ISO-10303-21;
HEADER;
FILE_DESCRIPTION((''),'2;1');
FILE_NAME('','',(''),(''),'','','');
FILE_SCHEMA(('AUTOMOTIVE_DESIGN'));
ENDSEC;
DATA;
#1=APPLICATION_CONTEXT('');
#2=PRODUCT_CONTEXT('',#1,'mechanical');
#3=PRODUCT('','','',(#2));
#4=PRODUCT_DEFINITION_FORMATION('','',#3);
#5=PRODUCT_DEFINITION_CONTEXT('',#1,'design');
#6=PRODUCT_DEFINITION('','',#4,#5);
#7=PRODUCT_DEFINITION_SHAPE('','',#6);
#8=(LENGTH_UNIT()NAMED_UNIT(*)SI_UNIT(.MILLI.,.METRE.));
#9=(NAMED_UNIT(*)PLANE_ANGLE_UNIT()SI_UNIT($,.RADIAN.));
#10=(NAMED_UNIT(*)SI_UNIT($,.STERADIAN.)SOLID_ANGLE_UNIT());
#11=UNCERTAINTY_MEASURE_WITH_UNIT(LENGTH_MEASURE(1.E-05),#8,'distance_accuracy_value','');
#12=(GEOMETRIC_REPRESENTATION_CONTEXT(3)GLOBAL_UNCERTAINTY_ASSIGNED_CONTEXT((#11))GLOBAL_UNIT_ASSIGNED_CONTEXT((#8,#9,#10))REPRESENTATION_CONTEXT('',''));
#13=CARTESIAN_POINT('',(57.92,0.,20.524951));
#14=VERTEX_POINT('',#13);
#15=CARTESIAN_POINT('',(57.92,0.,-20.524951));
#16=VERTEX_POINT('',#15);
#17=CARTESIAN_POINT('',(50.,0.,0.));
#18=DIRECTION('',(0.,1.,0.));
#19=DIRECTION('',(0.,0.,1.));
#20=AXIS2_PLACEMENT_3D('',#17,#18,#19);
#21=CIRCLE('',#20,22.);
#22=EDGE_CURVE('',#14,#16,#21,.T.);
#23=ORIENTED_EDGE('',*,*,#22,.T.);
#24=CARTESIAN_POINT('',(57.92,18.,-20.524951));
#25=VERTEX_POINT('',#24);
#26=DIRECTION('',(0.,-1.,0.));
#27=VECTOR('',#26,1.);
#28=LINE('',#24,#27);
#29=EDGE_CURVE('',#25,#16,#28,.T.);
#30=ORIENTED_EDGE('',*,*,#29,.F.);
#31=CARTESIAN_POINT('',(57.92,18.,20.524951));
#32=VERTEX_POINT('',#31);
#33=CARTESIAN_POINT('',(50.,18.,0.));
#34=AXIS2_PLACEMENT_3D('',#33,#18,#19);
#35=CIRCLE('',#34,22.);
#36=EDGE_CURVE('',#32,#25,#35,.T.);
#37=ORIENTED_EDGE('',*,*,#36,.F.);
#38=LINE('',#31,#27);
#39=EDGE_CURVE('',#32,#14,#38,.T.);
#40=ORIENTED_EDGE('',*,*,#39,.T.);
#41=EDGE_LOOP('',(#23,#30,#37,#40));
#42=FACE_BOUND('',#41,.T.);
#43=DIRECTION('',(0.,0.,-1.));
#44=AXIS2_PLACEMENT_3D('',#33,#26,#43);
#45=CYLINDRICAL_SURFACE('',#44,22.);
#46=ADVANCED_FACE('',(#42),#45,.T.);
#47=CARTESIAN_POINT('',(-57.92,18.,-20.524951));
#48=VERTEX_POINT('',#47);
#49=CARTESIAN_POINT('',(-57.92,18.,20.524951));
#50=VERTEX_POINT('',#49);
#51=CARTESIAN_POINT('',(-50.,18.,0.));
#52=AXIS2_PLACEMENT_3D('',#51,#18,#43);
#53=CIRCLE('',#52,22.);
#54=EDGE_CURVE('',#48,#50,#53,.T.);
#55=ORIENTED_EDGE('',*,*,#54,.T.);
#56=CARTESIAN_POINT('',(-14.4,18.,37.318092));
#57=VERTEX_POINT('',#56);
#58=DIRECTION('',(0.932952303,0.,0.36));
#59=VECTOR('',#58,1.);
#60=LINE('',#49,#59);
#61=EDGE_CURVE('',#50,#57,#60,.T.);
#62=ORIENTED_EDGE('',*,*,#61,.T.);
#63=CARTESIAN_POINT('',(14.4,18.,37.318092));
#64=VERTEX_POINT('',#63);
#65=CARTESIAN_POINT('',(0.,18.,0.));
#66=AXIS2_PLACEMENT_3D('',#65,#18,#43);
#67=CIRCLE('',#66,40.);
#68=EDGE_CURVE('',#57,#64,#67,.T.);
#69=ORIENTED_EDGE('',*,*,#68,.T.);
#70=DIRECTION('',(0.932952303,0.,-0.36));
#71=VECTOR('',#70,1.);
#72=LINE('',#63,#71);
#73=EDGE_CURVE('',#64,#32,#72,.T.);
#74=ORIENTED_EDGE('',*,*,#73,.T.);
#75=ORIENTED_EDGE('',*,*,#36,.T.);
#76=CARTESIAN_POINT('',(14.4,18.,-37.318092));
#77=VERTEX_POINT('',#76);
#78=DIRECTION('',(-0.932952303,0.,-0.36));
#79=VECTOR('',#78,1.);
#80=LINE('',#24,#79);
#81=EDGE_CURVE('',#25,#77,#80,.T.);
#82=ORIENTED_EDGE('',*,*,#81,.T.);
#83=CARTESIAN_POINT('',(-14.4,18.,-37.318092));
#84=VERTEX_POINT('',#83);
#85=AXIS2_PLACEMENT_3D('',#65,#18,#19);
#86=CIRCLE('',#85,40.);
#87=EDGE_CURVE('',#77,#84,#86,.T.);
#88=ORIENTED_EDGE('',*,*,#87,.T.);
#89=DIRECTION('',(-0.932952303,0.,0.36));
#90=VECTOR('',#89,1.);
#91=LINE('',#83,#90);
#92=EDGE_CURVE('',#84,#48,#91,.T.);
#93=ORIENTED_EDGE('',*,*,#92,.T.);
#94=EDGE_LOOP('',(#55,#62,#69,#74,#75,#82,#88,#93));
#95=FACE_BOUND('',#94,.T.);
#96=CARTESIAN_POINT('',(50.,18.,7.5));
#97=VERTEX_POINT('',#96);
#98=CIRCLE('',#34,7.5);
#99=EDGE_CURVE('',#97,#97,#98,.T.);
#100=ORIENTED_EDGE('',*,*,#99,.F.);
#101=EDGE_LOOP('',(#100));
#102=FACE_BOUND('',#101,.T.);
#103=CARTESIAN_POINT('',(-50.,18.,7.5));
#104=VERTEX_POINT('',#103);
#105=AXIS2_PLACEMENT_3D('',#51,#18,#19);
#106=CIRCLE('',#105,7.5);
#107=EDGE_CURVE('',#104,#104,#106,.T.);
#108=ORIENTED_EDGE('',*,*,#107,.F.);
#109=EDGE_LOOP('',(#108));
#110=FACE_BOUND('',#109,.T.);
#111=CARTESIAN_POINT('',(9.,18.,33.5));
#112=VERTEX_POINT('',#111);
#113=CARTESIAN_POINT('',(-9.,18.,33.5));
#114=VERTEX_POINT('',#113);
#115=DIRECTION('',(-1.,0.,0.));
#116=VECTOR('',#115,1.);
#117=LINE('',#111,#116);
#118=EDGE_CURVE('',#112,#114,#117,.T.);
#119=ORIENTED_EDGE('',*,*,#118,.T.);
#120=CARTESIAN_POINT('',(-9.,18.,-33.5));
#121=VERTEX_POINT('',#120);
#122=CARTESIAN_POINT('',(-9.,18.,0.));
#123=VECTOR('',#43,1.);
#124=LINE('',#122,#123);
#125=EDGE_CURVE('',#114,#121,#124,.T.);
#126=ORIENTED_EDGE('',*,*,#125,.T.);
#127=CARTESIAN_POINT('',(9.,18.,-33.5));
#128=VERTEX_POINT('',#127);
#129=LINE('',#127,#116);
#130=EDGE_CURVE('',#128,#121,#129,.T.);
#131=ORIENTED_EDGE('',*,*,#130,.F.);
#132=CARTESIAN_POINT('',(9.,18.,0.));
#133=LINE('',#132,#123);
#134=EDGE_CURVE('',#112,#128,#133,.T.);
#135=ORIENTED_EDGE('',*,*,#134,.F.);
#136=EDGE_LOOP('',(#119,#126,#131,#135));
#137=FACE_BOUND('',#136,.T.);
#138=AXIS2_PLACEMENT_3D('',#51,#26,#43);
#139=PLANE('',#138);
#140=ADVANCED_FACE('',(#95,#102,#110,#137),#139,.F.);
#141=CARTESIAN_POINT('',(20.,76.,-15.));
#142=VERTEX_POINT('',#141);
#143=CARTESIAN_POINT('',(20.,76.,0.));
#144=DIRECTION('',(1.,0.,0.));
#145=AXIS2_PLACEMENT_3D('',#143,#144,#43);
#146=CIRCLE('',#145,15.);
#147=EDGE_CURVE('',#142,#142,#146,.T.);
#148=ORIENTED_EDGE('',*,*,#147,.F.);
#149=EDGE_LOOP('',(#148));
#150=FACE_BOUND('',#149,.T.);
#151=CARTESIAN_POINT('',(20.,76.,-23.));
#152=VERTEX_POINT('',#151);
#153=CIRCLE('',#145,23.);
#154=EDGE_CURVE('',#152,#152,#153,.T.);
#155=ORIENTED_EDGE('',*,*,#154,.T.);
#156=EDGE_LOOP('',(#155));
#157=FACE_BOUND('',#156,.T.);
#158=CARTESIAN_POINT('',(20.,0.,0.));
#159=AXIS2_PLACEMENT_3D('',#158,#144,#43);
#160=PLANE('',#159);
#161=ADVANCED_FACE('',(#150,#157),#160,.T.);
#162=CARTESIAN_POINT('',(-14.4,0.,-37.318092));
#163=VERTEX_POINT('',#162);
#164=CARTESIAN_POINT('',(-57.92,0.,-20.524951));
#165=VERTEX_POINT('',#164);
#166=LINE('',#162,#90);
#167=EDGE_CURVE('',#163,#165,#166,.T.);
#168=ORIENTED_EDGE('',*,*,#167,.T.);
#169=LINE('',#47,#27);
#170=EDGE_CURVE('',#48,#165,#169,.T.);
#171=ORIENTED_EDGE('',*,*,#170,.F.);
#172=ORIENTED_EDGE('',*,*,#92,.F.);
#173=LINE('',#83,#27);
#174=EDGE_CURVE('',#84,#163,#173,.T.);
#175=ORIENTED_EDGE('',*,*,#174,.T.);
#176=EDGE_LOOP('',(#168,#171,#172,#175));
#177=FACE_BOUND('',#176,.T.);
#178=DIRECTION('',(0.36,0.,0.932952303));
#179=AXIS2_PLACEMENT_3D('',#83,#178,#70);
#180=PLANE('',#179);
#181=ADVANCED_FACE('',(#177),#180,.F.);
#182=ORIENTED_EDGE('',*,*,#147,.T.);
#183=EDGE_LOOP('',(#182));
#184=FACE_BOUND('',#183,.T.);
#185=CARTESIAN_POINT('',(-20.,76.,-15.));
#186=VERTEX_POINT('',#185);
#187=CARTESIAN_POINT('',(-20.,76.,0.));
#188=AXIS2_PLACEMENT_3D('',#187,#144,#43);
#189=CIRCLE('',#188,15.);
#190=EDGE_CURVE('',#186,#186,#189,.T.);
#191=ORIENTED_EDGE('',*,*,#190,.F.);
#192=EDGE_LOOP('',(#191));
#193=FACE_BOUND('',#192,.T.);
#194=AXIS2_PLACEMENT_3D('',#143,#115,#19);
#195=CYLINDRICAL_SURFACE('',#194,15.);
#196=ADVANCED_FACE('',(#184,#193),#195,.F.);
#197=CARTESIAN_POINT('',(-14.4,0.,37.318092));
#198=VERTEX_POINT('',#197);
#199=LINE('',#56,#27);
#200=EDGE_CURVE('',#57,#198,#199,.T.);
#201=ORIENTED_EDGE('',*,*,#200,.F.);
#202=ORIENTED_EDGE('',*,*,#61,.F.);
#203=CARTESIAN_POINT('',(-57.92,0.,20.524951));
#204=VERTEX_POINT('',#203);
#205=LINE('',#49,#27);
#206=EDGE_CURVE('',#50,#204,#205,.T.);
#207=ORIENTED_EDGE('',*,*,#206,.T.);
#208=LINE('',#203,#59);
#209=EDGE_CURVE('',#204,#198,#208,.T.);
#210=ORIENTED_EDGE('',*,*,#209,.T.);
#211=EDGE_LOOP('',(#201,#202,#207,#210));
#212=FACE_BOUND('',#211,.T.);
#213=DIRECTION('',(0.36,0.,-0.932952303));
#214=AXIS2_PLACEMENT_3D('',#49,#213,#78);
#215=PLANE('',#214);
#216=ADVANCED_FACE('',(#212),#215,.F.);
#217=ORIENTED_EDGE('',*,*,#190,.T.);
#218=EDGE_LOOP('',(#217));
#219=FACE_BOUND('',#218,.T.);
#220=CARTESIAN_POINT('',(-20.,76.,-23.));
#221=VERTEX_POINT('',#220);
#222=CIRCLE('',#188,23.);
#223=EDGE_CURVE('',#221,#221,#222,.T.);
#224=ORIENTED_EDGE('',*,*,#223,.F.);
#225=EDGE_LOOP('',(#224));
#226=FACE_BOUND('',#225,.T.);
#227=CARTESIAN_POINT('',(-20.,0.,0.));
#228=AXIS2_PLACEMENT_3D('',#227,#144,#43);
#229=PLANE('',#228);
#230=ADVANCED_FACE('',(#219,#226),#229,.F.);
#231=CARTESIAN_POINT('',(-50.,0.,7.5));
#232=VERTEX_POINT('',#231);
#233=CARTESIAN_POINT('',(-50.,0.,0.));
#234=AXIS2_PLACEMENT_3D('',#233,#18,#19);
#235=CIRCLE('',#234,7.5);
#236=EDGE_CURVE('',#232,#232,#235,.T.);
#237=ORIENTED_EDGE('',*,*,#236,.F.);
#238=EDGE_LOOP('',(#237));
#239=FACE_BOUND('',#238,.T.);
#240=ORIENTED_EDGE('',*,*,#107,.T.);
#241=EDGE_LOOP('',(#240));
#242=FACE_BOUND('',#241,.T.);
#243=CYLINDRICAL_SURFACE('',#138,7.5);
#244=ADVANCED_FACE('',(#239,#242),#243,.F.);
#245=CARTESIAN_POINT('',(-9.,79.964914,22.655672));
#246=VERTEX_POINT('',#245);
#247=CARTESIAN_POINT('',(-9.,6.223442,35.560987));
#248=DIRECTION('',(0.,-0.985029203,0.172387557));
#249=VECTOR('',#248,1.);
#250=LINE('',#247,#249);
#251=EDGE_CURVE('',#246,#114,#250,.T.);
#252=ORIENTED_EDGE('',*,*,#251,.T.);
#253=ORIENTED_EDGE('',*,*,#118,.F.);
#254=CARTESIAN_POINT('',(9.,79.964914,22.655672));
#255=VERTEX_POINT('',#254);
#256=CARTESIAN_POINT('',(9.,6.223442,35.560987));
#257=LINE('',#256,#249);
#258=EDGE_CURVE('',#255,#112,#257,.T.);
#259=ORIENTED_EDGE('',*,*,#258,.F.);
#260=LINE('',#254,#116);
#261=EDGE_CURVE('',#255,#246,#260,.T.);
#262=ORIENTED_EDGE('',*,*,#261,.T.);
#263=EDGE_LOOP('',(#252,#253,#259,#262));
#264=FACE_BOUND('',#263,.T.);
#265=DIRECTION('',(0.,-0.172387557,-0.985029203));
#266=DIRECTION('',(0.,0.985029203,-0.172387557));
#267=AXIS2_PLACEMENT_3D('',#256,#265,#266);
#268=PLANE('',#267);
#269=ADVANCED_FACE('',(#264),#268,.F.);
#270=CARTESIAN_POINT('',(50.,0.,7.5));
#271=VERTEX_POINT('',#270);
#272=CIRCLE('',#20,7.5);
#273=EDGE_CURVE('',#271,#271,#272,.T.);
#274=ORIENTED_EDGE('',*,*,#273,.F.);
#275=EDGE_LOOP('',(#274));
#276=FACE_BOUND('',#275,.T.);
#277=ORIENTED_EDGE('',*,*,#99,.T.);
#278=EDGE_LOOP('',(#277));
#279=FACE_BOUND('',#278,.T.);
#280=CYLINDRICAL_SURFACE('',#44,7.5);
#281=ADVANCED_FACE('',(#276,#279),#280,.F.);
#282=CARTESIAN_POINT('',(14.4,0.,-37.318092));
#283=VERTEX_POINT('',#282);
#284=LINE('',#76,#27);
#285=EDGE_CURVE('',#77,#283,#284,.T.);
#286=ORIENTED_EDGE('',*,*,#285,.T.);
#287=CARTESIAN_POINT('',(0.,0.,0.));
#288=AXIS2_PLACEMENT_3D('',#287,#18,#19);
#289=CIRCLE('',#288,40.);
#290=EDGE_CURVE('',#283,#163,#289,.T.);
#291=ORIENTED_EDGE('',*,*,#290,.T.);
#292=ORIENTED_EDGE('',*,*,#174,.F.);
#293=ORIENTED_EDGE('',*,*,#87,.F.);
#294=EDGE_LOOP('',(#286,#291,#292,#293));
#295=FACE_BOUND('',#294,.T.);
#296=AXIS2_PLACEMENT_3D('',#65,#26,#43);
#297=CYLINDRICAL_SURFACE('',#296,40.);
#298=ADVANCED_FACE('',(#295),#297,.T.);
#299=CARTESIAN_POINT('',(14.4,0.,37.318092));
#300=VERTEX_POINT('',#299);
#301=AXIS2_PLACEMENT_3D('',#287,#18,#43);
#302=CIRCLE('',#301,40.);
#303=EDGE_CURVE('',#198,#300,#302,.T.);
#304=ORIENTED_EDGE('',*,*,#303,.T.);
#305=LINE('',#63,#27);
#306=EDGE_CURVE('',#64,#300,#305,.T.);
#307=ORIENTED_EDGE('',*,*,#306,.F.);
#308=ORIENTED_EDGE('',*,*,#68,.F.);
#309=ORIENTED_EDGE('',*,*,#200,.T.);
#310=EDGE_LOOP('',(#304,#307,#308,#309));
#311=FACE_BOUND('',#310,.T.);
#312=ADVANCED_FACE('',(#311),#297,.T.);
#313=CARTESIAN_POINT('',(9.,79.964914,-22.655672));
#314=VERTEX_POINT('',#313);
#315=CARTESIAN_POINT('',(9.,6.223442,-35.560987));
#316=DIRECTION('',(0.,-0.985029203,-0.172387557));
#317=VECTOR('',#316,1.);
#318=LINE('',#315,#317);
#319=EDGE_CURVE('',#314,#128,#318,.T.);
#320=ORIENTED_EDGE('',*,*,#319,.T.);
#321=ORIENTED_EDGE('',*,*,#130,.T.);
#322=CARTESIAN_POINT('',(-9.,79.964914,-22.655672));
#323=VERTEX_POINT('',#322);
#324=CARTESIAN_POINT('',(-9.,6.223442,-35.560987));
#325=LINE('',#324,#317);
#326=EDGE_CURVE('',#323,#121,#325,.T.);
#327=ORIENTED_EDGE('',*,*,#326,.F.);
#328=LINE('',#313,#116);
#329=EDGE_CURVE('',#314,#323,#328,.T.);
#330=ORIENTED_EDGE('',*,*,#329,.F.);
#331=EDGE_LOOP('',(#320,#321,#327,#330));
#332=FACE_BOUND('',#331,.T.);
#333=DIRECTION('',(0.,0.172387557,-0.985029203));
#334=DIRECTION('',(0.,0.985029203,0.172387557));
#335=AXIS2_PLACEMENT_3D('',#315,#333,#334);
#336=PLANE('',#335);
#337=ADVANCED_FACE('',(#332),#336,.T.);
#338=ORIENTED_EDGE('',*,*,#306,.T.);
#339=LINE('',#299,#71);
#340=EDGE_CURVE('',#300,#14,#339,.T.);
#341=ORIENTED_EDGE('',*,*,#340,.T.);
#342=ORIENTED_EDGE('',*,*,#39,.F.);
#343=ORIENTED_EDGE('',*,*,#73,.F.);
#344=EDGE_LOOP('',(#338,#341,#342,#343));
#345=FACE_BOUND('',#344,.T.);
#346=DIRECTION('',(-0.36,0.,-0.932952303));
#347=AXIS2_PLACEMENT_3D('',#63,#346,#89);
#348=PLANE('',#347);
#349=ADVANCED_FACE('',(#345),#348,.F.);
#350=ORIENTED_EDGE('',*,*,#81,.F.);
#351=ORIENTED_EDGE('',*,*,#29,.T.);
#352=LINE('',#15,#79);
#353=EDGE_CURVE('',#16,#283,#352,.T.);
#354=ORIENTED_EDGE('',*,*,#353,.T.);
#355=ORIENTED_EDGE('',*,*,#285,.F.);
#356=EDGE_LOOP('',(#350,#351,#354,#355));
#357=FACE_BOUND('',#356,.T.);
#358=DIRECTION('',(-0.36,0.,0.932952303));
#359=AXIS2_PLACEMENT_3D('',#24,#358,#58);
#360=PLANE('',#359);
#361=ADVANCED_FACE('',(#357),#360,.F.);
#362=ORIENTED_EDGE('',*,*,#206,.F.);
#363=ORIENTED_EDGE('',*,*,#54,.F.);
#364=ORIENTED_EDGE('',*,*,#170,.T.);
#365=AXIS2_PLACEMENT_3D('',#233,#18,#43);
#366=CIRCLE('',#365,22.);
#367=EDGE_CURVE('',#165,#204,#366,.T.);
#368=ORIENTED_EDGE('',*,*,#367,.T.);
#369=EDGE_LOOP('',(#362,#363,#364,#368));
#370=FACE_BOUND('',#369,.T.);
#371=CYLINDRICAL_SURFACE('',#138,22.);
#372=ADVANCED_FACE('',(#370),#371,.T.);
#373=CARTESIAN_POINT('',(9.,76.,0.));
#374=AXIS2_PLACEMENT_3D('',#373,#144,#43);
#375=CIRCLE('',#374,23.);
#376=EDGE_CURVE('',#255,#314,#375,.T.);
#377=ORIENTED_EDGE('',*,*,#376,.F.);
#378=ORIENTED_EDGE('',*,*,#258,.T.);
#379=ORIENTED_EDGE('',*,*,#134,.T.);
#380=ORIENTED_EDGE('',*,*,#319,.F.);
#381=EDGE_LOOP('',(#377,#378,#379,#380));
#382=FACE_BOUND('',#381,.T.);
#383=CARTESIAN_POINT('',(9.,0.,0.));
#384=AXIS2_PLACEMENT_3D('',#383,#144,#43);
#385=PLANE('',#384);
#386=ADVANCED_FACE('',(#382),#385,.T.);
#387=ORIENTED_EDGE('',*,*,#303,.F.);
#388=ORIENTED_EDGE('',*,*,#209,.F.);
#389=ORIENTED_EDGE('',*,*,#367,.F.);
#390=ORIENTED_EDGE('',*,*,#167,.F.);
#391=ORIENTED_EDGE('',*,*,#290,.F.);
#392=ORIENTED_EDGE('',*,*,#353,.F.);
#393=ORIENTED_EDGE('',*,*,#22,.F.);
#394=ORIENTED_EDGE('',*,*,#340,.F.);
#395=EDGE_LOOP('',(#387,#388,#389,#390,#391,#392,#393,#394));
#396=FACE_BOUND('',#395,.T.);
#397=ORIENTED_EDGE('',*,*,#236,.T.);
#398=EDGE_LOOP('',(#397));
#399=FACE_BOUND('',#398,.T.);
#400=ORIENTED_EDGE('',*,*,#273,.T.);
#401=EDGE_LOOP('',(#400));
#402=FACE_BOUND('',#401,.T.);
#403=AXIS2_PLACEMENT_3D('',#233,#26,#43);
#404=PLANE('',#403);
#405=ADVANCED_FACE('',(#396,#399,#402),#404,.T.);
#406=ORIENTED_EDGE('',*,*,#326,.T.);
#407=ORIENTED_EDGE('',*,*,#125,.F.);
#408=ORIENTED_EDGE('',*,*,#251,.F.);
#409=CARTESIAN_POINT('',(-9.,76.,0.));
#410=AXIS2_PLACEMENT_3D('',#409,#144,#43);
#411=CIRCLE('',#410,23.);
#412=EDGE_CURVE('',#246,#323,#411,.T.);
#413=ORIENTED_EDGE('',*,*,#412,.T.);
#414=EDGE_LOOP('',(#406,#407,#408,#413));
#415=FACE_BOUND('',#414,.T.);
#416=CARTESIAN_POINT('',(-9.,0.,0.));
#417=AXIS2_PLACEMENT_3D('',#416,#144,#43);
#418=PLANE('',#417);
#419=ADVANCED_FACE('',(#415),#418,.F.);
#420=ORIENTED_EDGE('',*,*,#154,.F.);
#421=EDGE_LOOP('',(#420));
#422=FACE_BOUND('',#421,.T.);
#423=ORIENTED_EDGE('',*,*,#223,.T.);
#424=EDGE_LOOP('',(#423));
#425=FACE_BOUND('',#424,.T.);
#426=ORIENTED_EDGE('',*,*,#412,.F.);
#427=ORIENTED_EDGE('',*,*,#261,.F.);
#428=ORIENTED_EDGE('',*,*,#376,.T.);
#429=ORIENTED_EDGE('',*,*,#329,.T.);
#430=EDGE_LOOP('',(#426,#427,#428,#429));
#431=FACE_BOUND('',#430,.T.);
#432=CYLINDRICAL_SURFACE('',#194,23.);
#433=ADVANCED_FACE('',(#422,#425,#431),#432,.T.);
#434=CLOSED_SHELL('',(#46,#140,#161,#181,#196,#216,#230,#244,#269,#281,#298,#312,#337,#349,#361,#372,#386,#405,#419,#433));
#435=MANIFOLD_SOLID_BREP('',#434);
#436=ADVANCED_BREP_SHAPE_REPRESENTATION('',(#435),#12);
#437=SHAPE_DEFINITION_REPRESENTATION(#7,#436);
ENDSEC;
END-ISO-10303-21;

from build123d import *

# Parameters (mm, degrees)
SKETCH_1_R      = 7.5
EXTRUDE_1_DEPTH = 18
SKETCH_2_R      = 15
EXTRUDE_2_DEPTH = 20
EXTRUDE_3_DEPTH = 9


with BuildPart() as part:
    # 草圖1 → 填料-伸長1 (new body)
    with BuildSketch(Plane(origin=(0, 0, 0), x_dir=(1, 0, 0), z_dir=(0, 1, 0))):
        with BuildLine():
            Line((-57.92, -20.52495067), (-14.4, -37.318092127))
            ThreePointArc((-14.4, -37.318092127), (0, -40), (14.4, -37.318092127))
            Line((14.4, -37.318092127), (57.92, -20.52495067))
            ThreePointArc((57.92, -20.52495067), (72, 0), (57.92, 20.52495067))
            Line((57.92, 20.52495067), (14.4, 37.318092127))
            ThreePointArc((14.4, 37.318092127), (0, 40), (-14.4, 37.318092127))
            Line((-14.4, 37.318092127), (-57.92, 20.52495067))
            ThreePointArc((-57.92, 20.52495067), (-72, 0), (-57.92, -20.52495067))
        make_face()
        with Locations((50, 0)):
            Circle(SKETCH_1_R, mode=Mode.SUBTRACT)
        with Locations((-50, 0)):
            Circle(SKETCH_1_R, mode=Mode.SUBTRACT)
    extrude(amount=EXTRUDE_1_DEPTH)



with BuildPart() as body_2:
    # 草圖2 → 填料-伸長2 (new, symmetric)
    with BuildSketch(Plane(origin=(0, 0, 0), x_dir=(0, 0, -1), z_dir=(1, 0, 0))):
        with BuildLine():
            ThreePointArc((22.655671663, 79.964913806), (0, 99), (-22.655671663, 79.964913806))
            ThreePointArc((-22.655671663, 79.964913806), (-1.989918559, 53.08624378), (23, 76))
            ThreePointArc((23, 76), (22.91375622, 77.989918559), (22.655671663, 79.964913806))
        make_face()
        with Locations((0, 76)):
            Circle(SKETCH_2_R, mode=Mode.SUBTRACT)
    extrude(amount=EXTRUDE_2_DEPTH, both=True)


with BuildPart() as part_1:
    add(part.part)

    add(body_2.part)  # 填料-伸長3 merges body 2
    # 草圖2<3> → 填料-伸長3 (add, symmetric)
    with BuildSketch(Plane(origin=(0, 0, 0), x_dir=(0, 0, -1), z_dir=(1, 0, 0))):
        with BuildLine():
            ThreePointArc((23, 76), (-1.989918559, 53.08624378), (-22.655671663, 79.964913806))
            Line((-22.655671663, 79.964913806), (-33.5, 18))
            Line((-33.5, 18), (33.5, 18))
            Line((33.5, 18), (22.655671663, 79.964913806))
            ThreePointArc((22.655671663, 79.964913806), (22.91375622, 77.989918559), (23, 76))
        make_face()
    extrude(amount=EXTRUDE_3_DEPTH, both=True)


solid = part_1.part
